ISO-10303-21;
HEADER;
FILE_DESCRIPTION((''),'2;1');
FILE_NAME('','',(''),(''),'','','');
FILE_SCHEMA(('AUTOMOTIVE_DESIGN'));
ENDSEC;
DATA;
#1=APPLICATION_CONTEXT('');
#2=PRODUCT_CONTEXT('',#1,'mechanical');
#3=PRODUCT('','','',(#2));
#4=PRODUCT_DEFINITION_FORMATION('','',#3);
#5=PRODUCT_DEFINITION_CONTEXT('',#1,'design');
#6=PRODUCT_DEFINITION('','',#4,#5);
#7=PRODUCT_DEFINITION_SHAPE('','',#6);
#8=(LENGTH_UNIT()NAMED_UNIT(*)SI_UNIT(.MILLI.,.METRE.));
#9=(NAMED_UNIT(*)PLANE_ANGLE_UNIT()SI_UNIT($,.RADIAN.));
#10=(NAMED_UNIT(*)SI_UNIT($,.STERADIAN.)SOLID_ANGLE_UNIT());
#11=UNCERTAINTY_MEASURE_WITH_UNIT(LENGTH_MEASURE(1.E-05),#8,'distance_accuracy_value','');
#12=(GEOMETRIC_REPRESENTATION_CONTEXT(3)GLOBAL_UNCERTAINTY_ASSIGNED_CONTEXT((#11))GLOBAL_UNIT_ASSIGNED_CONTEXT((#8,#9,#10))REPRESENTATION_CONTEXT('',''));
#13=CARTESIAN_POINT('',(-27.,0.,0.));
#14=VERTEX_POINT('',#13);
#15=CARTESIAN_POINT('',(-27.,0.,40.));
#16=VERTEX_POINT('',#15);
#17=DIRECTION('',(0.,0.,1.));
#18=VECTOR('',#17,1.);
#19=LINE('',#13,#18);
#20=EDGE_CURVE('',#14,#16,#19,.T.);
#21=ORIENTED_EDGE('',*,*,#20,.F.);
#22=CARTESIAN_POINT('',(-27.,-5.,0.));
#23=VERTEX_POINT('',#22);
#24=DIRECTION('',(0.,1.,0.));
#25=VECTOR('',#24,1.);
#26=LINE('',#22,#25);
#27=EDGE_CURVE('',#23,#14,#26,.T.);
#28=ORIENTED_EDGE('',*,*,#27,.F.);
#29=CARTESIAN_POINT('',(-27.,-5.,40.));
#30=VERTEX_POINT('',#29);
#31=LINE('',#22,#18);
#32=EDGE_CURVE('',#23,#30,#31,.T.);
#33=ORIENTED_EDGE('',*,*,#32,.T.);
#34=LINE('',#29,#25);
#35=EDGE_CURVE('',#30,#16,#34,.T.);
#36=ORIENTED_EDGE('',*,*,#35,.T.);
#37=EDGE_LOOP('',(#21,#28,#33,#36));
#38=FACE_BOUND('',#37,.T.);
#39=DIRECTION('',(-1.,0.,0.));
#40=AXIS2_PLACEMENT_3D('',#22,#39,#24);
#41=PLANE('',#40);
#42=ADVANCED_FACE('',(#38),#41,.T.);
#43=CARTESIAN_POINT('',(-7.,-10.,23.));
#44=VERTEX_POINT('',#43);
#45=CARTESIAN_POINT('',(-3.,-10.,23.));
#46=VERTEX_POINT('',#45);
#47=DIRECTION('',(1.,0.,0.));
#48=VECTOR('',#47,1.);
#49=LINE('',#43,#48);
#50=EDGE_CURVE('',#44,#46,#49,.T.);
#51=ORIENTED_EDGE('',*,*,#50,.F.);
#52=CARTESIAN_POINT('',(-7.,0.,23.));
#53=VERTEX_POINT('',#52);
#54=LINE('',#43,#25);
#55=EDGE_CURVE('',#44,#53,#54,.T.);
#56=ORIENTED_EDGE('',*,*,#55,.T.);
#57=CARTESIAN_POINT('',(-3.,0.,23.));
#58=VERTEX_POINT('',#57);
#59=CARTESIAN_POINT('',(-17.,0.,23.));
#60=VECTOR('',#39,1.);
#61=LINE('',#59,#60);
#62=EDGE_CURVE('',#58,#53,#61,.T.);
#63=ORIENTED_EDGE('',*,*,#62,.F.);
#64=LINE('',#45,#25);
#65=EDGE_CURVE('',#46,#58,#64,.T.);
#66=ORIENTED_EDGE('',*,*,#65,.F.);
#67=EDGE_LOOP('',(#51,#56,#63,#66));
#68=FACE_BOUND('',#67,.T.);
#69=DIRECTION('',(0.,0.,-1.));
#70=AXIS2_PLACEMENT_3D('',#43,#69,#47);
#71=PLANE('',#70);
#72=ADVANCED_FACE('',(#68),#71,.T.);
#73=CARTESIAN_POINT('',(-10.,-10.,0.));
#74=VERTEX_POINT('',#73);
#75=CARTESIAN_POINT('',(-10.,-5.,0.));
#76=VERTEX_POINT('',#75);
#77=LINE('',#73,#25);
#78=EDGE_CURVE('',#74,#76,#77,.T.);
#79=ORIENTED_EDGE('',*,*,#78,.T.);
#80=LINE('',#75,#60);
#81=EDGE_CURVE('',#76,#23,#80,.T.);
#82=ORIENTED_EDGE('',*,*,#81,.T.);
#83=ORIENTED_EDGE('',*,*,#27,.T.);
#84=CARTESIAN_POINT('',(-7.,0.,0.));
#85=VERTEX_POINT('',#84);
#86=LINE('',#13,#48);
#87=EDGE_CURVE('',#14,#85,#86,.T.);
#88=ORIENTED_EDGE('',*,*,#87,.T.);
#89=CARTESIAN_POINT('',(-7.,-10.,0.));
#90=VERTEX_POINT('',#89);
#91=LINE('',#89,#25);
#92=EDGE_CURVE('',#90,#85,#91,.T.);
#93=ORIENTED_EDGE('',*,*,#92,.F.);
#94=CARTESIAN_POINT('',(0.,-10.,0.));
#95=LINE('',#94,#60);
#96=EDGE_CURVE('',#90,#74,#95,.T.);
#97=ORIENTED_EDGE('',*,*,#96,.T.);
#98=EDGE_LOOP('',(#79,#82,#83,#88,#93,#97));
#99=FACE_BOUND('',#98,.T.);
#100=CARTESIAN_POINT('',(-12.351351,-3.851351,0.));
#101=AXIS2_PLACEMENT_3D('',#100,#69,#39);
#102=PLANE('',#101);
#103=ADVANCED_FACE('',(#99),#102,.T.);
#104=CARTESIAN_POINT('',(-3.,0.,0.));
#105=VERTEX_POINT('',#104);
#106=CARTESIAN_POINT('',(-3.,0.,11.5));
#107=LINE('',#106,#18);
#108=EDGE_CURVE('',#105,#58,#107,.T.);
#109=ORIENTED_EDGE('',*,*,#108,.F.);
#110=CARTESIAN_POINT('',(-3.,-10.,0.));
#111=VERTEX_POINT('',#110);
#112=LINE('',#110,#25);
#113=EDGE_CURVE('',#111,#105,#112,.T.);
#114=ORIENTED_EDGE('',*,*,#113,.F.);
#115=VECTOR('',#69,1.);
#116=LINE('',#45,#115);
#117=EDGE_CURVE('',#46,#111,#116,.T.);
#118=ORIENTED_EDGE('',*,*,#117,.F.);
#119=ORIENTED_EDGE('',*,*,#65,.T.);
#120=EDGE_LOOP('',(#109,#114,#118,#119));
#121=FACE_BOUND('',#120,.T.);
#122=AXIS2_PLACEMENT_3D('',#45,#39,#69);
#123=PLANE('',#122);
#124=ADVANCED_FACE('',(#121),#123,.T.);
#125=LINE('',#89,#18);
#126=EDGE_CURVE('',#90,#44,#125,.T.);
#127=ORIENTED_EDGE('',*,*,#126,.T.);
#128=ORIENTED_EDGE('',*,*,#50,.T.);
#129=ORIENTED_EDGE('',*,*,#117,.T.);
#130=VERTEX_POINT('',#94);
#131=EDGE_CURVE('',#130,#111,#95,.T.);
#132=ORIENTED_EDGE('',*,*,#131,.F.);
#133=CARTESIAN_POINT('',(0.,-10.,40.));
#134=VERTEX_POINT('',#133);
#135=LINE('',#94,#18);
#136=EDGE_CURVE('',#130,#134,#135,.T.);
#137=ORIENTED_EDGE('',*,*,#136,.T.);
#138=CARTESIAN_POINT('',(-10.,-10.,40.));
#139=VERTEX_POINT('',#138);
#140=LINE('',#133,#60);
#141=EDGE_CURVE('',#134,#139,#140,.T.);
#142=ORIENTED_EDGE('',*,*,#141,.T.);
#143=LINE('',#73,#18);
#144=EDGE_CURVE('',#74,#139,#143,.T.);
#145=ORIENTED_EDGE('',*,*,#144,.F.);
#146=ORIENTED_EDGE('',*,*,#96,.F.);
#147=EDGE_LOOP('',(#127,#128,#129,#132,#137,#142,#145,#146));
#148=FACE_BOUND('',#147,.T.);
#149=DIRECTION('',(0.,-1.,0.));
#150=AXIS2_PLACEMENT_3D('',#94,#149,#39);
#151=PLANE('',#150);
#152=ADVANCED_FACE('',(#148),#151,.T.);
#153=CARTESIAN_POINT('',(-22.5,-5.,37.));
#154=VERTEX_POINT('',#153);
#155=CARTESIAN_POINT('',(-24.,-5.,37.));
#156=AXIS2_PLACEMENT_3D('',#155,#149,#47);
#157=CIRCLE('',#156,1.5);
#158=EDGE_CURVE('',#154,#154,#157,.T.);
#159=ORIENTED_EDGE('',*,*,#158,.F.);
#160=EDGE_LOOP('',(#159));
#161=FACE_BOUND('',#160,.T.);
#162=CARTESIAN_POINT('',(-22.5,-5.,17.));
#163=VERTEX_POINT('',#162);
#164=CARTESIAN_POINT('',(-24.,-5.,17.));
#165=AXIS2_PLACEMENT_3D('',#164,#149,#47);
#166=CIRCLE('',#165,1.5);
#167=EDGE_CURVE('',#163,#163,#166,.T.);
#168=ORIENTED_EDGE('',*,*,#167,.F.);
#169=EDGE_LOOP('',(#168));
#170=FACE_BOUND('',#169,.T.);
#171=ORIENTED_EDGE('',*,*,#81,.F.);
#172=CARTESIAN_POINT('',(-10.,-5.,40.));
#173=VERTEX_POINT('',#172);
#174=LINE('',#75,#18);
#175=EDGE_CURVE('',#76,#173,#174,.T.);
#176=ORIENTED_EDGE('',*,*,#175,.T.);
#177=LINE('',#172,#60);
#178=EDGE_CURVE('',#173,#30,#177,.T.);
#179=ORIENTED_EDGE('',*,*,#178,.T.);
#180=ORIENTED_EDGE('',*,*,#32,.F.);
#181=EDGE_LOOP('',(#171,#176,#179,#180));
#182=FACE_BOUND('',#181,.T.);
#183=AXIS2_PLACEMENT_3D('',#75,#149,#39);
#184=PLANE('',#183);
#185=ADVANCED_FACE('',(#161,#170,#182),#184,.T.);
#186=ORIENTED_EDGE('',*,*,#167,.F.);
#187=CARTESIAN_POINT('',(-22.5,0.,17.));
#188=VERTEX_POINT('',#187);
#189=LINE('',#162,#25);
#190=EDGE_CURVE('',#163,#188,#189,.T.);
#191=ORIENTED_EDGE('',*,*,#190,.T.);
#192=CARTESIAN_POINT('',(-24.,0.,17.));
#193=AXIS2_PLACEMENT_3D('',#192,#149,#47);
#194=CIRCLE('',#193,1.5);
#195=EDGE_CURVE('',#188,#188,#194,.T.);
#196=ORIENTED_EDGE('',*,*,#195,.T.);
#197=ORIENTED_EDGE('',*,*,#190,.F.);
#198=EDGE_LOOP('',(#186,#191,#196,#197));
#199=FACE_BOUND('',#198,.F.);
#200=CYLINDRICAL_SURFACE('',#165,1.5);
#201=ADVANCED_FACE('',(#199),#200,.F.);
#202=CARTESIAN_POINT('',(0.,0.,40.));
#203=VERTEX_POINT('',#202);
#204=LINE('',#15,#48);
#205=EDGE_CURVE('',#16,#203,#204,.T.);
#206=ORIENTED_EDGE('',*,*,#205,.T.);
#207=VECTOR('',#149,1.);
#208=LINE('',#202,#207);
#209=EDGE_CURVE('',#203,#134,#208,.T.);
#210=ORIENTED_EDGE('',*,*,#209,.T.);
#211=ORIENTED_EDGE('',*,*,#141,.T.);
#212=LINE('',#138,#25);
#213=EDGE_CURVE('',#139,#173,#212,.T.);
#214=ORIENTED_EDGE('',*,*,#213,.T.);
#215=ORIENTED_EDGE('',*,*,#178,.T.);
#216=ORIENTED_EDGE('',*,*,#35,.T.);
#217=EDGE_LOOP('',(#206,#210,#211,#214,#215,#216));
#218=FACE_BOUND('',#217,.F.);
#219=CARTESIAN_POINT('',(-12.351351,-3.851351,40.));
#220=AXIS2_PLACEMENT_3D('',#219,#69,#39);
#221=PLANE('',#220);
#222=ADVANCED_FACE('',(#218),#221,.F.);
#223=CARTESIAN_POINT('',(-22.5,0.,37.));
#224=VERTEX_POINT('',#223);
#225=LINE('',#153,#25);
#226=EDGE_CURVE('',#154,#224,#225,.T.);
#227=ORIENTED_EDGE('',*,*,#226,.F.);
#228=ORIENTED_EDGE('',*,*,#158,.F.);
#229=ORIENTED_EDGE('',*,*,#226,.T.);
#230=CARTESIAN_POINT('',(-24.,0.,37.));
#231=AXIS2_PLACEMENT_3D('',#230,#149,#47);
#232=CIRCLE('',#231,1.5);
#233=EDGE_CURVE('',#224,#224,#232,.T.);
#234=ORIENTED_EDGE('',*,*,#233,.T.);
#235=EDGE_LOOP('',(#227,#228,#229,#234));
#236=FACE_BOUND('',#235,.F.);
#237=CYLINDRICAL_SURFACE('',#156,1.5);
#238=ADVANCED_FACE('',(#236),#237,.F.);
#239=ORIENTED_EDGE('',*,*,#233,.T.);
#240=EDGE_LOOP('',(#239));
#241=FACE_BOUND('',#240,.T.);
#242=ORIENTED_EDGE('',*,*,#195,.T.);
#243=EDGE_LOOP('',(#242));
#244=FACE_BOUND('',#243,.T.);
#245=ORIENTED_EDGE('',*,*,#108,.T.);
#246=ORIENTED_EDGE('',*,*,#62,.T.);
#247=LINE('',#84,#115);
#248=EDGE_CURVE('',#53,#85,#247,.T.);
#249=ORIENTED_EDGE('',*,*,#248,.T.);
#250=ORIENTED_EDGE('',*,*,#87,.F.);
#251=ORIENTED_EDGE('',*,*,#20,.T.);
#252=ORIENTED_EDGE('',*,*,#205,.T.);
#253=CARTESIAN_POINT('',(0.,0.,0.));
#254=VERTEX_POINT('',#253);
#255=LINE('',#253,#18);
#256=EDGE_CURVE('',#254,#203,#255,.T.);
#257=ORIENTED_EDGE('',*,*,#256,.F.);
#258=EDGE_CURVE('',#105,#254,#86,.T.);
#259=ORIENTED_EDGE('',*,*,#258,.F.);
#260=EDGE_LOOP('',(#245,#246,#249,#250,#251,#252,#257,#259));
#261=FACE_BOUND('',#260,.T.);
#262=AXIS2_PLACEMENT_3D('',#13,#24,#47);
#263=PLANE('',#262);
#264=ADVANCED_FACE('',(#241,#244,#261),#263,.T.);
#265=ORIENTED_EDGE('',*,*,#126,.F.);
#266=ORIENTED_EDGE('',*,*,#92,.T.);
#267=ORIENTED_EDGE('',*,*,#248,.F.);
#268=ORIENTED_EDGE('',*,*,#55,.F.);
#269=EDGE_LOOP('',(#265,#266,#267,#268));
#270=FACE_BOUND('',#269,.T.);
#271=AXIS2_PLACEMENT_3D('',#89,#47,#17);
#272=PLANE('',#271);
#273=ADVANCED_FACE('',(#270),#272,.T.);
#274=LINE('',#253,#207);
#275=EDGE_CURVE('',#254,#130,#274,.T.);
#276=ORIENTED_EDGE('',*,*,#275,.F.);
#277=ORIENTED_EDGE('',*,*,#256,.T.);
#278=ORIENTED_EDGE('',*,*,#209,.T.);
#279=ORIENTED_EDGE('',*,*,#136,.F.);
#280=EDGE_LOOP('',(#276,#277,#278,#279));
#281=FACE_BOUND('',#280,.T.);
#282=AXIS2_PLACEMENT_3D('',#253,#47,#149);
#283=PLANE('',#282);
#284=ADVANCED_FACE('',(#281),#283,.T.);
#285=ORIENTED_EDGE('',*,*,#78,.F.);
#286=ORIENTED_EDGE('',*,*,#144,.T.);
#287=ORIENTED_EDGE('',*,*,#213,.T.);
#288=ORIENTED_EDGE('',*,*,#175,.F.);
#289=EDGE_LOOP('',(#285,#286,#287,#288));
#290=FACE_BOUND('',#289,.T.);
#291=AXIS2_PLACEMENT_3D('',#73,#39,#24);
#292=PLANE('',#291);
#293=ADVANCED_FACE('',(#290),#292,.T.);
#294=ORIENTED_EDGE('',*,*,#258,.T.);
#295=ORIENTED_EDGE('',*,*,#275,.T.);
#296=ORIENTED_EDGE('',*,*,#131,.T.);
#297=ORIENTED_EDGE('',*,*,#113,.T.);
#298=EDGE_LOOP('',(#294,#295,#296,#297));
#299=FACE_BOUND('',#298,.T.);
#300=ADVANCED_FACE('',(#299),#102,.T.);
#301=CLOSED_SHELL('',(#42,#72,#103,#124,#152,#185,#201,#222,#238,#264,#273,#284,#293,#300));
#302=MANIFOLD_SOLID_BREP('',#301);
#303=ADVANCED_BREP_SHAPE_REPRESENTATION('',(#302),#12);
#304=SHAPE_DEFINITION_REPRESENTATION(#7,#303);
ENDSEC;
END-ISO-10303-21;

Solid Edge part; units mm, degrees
sketch "Sketch1" plane through (0, 0, 0) normal (0, 0, 1) x (1, 0, 0)
  line L0 (-10, -5) -> (-27, -5)
  line L1 (-27, -5) -> (-27, 0)
  line L2 (-27, 0) -> (0, 0)
  line L3 (0, 0) -> (0, -10)
  line L4 (0, -10) -> (-10, -10)
  line L5 (-10, -10) -> (-10, -5)
extrude "Protrusion1" add sketch "Sketch1" along normal blind 40
sketch "Sketch2" plane through (-5, -10, 20) normal (0, -1, 0) x (1, 0, 0)
  line L0 (2, -20) -> (-2, -20)
  line L1 (-2, -20) -> (-2, 3)
  line L2 (-2, 3) -> (2, 3)
  line L3 (2, 3) -> (2, -20)
  dimension "D1" = 17
extrude "VaciadoExtruido_1" cut sketch "Sketch2" against normal blind 50.2328
sketch "Sketch3" plane through (-18.5, -5, 20) normal (0, -1, 0) x (1, 0, 0)
  circle A0 centre (-5.5, 17) radius 1.5
  circle A1 centre (-5.5, -3) radius 1.5
  dimension "D1" = 3
  dimension "D2" = 3
  dimension "D3" = 3
  dimension "D4" = 3
  dimension "D5" = 20
extrude "VaciadoExtruido_2" cut sketch "Sketch3" against normal blind 58.7428
